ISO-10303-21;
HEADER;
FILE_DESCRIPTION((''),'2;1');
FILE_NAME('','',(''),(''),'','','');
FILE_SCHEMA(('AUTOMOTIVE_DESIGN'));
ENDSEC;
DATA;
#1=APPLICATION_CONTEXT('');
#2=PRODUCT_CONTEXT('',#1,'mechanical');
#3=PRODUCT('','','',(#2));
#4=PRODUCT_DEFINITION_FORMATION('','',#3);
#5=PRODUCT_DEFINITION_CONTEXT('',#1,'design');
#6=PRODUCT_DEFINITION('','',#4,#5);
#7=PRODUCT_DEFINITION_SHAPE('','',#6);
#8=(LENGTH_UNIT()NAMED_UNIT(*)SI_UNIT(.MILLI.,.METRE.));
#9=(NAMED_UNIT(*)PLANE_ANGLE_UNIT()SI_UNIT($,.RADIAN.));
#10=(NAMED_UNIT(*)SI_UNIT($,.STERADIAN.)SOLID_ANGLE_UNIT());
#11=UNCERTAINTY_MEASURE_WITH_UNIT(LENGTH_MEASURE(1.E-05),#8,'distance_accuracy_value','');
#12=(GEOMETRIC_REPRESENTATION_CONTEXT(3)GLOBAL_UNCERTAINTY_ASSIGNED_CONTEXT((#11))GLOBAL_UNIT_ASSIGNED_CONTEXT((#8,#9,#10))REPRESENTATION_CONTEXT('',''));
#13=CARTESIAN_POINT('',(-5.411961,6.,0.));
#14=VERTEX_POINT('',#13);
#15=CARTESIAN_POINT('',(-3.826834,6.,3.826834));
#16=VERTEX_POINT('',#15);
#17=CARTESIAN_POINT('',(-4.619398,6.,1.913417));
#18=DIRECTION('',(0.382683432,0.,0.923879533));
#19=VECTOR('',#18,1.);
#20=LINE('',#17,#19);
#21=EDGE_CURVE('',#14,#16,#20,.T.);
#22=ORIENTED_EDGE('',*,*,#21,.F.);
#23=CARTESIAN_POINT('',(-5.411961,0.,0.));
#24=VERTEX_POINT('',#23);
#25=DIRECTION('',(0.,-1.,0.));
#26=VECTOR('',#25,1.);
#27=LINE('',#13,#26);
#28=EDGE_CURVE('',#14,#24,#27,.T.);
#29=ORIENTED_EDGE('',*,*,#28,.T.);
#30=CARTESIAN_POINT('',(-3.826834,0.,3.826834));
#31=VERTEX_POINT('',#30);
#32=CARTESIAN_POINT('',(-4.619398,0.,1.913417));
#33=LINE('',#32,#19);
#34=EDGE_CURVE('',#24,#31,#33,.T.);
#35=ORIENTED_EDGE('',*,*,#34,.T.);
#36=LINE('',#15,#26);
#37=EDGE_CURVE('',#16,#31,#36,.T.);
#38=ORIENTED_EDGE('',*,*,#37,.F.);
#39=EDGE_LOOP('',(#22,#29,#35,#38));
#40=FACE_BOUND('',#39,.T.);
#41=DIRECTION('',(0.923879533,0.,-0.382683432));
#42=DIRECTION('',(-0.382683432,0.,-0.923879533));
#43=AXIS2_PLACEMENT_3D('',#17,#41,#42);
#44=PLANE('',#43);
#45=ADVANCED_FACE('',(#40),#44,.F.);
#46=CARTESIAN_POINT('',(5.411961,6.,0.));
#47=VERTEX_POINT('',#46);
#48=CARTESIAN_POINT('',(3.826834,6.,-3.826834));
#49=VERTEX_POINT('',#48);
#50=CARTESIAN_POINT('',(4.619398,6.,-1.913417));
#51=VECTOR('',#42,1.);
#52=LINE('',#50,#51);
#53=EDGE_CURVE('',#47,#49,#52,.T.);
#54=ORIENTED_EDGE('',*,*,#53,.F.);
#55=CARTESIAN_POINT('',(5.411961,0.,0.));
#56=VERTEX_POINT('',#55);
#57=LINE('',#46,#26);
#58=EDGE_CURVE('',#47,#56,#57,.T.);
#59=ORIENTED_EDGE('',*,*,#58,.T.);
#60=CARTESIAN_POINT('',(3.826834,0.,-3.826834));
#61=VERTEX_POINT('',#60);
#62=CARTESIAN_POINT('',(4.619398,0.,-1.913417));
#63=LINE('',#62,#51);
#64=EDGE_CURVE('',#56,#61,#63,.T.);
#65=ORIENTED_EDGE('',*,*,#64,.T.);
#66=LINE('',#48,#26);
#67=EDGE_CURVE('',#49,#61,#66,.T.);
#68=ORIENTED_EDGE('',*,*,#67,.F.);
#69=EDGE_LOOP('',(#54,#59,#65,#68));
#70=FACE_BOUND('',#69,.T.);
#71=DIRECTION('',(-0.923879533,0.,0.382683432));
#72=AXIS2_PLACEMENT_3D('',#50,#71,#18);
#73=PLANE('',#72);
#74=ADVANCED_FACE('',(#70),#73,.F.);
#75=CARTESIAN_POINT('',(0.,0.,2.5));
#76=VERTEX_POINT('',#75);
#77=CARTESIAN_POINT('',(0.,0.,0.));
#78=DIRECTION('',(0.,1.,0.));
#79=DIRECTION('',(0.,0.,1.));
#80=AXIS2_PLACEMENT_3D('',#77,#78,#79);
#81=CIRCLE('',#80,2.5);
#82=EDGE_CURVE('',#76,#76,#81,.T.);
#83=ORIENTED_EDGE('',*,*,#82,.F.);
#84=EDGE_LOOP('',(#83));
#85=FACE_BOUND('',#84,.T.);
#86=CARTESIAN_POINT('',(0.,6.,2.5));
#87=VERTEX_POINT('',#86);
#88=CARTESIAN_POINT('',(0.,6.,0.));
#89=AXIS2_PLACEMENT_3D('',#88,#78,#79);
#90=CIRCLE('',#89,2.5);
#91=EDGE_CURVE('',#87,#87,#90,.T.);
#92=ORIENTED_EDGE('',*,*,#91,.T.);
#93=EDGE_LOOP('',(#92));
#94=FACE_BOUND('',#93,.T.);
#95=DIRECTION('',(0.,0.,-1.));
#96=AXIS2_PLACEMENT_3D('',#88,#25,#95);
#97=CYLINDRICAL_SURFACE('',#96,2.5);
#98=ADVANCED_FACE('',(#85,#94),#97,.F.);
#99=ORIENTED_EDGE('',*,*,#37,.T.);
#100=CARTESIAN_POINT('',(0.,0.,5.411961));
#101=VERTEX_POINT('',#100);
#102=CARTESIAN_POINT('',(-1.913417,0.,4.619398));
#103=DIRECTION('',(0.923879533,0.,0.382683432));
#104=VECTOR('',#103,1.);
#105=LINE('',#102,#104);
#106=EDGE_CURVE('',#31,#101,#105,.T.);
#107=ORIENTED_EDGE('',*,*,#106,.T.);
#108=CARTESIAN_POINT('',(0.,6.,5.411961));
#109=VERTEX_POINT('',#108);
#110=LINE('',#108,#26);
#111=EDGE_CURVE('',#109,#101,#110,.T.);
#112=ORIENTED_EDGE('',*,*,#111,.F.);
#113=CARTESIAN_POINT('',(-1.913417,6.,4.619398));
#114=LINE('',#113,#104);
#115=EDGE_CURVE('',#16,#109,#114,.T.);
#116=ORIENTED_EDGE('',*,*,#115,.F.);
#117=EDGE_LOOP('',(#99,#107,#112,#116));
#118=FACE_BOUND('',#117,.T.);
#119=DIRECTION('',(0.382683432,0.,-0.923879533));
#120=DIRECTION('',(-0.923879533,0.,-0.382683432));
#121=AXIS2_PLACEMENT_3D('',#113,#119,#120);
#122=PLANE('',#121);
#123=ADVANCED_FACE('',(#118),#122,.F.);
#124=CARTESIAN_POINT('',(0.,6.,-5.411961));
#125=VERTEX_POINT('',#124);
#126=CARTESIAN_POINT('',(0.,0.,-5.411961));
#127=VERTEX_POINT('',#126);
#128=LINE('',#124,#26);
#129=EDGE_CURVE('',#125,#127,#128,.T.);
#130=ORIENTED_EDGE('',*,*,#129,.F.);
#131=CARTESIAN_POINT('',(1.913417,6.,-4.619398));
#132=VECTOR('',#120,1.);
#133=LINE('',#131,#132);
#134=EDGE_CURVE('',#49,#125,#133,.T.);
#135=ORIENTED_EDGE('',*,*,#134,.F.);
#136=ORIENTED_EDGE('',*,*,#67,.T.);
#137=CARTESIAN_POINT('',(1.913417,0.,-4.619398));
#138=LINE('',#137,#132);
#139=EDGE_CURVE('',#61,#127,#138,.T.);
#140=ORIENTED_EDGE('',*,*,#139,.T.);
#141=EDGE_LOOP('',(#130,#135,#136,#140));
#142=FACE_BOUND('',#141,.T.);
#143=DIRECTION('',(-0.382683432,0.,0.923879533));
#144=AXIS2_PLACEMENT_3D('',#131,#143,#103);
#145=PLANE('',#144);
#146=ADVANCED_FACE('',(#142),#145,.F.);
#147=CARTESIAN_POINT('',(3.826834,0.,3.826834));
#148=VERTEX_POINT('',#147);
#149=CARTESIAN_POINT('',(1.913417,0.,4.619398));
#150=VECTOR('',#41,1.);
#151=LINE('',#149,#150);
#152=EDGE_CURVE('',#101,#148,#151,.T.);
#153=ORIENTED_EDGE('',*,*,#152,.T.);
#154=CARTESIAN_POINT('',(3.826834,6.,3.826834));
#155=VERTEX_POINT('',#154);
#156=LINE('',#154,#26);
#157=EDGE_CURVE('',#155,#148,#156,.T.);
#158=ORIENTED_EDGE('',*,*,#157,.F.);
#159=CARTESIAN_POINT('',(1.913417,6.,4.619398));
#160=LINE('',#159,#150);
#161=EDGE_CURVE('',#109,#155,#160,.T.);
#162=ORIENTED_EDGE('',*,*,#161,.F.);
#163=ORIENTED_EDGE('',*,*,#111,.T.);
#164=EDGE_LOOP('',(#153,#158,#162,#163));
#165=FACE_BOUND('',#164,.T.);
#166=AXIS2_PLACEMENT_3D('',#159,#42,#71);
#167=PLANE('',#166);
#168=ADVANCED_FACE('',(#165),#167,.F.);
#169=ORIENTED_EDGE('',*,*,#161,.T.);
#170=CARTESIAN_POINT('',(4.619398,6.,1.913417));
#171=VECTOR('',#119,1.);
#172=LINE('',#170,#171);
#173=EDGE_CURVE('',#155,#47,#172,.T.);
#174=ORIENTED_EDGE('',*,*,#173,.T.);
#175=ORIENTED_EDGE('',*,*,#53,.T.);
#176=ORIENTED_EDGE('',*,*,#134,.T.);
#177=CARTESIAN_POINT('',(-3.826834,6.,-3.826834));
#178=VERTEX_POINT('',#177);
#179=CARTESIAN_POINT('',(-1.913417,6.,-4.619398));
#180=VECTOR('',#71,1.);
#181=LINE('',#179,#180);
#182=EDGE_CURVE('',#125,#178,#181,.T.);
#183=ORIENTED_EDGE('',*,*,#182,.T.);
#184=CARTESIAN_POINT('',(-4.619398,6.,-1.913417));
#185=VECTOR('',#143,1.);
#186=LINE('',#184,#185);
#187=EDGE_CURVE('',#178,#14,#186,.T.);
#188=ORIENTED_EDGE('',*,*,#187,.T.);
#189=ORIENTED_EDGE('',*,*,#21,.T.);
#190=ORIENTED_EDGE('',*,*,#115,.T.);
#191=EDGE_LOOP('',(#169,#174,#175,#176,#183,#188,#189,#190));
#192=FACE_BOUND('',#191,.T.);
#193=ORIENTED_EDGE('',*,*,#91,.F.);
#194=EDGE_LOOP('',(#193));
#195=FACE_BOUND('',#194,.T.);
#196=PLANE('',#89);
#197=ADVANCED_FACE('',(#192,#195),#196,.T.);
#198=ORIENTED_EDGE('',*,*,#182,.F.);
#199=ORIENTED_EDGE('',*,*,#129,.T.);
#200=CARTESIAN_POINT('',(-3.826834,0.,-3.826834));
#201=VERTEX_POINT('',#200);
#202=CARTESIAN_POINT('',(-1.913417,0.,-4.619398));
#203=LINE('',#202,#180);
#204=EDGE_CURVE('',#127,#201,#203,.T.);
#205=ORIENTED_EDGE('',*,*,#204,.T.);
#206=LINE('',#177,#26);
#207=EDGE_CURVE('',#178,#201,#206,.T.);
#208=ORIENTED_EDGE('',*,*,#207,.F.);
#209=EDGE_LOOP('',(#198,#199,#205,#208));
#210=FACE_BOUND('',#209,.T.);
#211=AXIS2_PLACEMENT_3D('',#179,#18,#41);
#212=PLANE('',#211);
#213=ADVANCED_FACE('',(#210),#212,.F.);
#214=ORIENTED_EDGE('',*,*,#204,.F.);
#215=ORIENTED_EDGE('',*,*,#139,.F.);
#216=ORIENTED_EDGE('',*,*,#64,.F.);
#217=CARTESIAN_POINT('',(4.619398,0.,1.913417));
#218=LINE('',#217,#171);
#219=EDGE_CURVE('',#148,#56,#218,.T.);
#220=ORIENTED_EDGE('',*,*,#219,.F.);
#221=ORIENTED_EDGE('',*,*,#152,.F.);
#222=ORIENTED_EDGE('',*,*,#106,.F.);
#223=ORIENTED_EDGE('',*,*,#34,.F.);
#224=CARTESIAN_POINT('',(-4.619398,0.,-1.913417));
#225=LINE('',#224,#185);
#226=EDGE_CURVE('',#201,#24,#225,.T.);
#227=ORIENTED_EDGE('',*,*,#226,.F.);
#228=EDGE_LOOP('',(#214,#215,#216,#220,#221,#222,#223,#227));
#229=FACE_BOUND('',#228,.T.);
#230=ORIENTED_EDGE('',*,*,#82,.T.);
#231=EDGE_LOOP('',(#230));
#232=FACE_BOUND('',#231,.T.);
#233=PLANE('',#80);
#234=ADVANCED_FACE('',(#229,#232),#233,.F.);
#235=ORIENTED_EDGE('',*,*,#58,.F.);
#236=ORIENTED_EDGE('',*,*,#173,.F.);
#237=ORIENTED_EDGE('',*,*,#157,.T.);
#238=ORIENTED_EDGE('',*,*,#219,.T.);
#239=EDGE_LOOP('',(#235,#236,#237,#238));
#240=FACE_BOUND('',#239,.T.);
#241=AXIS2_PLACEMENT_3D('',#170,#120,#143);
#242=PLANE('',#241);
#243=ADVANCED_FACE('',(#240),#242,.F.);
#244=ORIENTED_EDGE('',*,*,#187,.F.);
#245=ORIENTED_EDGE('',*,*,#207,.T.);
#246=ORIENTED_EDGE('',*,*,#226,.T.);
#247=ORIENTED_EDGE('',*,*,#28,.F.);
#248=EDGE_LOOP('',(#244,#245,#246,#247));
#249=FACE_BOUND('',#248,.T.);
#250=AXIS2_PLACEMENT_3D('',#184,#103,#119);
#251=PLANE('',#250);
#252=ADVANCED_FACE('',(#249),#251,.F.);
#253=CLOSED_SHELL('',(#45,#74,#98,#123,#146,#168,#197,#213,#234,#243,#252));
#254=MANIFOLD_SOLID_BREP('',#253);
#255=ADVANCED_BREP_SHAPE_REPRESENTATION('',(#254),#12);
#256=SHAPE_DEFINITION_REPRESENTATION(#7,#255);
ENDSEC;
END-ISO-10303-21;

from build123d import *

# Parameters (mm, degrees)
SKETCH1_R           = 2.5
BOSS_EXTRUDE1_DEPTH = 6


with BuildPart() as part:
    # Sketch1 → Boss-Extrude1 (new body)
    with BuildSketch(Plane(origin=(0, 0, 0), x_dir=(1, 0, 0), z_dir=(0, 1, 0))):
        Polygon((0, -5.411961001), (3.826834324, -3.826834324), (5.411961001, 0), (3.826834324, 3.826834324), (0, 5.411961001), (-3.826834324, 3.826834324), (-5.411961001, 0), (-3.826834324, -3.826834324), align=None)
        Circle(SKETCH1_R, mode=Mode.SUBTRACT)
    extrude(amount=BOSS_EXTRUDE1_DEPTH)


solid = part.part
